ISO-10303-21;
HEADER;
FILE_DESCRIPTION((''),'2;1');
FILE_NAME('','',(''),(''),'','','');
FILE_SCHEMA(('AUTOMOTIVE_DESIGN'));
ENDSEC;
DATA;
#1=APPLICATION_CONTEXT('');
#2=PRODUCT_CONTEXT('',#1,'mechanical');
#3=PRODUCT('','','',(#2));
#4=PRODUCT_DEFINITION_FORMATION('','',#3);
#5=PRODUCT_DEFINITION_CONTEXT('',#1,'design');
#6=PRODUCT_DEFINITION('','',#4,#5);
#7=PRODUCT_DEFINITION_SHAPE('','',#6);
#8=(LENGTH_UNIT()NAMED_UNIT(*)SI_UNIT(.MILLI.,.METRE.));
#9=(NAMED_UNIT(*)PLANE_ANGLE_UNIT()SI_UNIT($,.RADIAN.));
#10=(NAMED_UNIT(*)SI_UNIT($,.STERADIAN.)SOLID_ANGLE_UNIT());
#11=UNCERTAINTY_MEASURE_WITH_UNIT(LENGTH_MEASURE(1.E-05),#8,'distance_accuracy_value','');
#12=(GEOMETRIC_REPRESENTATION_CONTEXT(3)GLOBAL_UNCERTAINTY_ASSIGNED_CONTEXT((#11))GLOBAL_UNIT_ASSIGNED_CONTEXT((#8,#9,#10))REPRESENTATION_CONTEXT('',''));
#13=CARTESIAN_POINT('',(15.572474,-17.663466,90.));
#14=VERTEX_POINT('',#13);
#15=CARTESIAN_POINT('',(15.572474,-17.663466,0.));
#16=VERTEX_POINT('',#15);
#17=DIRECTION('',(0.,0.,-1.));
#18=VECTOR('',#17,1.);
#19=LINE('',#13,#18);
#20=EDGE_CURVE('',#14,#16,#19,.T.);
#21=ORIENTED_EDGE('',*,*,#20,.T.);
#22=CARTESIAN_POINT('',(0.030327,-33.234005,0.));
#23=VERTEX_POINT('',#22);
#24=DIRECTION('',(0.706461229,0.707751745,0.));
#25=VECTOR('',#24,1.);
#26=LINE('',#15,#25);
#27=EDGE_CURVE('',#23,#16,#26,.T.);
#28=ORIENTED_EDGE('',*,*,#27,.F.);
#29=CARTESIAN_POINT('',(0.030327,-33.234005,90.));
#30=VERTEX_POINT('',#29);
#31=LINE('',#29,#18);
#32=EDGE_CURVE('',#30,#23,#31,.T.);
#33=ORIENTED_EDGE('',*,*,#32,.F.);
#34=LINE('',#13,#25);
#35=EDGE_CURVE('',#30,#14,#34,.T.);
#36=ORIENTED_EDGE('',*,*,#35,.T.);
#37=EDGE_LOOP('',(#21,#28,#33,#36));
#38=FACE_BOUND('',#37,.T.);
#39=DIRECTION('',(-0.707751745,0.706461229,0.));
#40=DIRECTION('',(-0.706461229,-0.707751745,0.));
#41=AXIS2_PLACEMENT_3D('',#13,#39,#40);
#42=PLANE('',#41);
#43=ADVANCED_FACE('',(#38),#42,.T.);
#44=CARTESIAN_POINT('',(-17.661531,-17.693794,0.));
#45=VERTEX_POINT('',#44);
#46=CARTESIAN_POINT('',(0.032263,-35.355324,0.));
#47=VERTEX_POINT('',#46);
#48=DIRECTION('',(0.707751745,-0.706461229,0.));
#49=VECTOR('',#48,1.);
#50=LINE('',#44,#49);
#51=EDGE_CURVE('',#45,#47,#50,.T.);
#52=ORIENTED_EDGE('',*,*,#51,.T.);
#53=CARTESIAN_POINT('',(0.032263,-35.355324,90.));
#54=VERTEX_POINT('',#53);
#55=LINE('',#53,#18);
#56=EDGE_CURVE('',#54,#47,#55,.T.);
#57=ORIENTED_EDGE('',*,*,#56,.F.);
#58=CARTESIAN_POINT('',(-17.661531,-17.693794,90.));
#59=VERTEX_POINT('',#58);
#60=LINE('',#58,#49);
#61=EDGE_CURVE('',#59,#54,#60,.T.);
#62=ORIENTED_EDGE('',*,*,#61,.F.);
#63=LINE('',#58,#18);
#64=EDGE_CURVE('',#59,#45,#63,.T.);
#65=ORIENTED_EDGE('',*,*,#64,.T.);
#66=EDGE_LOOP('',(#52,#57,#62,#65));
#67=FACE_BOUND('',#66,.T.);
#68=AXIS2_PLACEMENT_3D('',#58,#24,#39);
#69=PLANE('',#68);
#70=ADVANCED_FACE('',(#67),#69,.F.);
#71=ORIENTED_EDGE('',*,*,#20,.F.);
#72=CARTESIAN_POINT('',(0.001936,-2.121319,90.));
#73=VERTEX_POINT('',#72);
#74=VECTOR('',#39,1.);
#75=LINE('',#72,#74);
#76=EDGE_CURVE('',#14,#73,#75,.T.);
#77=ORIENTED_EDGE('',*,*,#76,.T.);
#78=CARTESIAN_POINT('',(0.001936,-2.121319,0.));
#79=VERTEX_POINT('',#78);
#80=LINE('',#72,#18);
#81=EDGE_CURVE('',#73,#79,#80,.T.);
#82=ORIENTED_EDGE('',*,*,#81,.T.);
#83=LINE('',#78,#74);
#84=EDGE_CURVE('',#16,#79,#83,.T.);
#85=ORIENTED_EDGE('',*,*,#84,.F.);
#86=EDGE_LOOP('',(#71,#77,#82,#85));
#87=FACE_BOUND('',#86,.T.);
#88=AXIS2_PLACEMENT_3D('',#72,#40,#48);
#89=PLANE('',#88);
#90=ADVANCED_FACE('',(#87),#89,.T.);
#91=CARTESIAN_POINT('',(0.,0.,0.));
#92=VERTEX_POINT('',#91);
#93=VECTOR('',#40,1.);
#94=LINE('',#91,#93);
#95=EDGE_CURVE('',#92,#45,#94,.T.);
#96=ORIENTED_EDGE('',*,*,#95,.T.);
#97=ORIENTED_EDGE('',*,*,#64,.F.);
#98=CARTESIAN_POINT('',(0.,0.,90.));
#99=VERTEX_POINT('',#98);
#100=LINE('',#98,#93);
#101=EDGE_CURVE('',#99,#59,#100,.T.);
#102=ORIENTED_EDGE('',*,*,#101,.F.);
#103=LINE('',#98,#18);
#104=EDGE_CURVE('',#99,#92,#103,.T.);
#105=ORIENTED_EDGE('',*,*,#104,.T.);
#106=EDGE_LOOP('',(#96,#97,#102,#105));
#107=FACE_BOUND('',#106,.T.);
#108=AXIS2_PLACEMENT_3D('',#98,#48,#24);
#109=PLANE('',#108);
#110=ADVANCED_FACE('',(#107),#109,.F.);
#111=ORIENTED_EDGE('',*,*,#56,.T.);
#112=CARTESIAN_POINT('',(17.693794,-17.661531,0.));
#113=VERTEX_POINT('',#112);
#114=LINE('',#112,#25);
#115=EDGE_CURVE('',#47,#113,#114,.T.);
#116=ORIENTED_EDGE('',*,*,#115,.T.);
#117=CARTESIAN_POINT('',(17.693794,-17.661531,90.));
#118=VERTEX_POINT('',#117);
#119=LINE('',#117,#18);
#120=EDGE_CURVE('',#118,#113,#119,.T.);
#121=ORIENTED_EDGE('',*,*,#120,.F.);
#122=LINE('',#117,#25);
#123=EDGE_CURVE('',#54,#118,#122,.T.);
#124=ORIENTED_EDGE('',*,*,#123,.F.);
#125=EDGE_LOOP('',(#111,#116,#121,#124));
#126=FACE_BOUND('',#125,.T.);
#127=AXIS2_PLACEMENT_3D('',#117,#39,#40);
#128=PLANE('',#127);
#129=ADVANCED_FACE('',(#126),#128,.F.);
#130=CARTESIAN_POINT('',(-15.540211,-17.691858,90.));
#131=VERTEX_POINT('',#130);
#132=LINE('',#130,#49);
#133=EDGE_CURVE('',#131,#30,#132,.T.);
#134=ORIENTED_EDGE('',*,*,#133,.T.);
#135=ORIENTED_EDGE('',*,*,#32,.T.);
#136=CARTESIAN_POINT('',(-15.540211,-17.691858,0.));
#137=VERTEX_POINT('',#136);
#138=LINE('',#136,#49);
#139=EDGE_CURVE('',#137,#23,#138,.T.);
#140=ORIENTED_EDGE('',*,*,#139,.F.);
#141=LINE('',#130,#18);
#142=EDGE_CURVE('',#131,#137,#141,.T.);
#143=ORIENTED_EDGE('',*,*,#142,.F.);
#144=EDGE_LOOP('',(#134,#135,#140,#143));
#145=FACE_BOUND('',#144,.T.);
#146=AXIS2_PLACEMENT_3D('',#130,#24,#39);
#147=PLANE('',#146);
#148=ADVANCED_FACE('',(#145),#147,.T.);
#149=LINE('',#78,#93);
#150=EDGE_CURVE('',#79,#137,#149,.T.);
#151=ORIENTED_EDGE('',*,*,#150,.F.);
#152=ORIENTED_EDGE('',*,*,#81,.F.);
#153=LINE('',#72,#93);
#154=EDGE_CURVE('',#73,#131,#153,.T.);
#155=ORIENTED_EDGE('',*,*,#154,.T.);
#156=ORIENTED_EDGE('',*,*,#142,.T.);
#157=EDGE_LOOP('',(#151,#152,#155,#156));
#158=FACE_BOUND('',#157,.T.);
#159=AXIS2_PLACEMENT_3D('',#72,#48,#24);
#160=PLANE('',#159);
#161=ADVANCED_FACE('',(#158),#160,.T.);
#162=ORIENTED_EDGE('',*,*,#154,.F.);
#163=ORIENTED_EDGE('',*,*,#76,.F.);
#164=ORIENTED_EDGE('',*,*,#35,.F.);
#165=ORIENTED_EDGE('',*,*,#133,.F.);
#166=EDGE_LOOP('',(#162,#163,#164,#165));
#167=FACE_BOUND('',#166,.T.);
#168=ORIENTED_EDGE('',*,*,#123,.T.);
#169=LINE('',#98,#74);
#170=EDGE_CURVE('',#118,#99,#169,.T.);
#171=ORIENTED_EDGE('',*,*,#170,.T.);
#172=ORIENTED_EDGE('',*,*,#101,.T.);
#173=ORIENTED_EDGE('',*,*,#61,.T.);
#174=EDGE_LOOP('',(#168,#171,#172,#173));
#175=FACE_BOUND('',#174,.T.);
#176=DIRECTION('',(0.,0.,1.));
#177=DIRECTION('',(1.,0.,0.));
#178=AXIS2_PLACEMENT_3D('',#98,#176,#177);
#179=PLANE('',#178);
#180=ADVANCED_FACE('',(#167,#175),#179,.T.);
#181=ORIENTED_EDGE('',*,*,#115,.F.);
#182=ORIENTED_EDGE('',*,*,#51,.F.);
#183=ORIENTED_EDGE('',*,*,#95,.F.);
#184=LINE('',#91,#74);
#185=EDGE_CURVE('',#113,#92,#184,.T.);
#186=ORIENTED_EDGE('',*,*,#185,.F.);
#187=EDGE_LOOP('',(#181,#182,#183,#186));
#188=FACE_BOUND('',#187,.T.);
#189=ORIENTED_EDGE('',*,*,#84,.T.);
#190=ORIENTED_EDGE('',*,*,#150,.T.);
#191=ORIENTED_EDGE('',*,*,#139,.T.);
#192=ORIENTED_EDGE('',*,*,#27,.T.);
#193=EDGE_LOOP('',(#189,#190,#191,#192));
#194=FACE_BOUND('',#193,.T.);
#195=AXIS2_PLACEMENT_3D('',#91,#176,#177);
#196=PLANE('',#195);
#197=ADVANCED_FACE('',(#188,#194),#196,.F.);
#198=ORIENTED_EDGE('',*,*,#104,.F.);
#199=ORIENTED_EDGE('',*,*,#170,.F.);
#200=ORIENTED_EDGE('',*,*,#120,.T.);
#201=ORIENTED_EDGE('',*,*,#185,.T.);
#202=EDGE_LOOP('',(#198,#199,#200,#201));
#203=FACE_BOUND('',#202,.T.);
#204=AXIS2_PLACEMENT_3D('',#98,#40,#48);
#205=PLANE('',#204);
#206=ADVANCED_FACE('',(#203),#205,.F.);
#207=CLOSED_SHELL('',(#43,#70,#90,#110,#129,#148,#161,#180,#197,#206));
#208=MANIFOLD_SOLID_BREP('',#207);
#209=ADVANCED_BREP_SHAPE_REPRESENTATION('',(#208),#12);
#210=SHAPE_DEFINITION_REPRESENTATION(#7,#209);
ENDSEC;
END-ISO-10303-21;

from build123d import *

# Parameters (mm, degrees)
EXTRUDE_1_DEPTH = 90


with BuildPart() as part:
    # 草圖1 → 填料-伸長1 (new body)
    with BuildSketch(Plane.XY):
        Polygon((0, 0), (17.69379362, -17.661530719), (0.032262901, -35.355324339), (-17.661530719, -17.69379362), align=None)
        Polygon((0.001935774, -2.12131946), (-15.540211259, -17.691857846), (0.030327127, -33.234004879), (15.57247416, -17.663466493), align=None, mode=Mode.SUBTRACT)
    extrude(amount=EXTRUDE_1_DEPTH)


solid = part.part
